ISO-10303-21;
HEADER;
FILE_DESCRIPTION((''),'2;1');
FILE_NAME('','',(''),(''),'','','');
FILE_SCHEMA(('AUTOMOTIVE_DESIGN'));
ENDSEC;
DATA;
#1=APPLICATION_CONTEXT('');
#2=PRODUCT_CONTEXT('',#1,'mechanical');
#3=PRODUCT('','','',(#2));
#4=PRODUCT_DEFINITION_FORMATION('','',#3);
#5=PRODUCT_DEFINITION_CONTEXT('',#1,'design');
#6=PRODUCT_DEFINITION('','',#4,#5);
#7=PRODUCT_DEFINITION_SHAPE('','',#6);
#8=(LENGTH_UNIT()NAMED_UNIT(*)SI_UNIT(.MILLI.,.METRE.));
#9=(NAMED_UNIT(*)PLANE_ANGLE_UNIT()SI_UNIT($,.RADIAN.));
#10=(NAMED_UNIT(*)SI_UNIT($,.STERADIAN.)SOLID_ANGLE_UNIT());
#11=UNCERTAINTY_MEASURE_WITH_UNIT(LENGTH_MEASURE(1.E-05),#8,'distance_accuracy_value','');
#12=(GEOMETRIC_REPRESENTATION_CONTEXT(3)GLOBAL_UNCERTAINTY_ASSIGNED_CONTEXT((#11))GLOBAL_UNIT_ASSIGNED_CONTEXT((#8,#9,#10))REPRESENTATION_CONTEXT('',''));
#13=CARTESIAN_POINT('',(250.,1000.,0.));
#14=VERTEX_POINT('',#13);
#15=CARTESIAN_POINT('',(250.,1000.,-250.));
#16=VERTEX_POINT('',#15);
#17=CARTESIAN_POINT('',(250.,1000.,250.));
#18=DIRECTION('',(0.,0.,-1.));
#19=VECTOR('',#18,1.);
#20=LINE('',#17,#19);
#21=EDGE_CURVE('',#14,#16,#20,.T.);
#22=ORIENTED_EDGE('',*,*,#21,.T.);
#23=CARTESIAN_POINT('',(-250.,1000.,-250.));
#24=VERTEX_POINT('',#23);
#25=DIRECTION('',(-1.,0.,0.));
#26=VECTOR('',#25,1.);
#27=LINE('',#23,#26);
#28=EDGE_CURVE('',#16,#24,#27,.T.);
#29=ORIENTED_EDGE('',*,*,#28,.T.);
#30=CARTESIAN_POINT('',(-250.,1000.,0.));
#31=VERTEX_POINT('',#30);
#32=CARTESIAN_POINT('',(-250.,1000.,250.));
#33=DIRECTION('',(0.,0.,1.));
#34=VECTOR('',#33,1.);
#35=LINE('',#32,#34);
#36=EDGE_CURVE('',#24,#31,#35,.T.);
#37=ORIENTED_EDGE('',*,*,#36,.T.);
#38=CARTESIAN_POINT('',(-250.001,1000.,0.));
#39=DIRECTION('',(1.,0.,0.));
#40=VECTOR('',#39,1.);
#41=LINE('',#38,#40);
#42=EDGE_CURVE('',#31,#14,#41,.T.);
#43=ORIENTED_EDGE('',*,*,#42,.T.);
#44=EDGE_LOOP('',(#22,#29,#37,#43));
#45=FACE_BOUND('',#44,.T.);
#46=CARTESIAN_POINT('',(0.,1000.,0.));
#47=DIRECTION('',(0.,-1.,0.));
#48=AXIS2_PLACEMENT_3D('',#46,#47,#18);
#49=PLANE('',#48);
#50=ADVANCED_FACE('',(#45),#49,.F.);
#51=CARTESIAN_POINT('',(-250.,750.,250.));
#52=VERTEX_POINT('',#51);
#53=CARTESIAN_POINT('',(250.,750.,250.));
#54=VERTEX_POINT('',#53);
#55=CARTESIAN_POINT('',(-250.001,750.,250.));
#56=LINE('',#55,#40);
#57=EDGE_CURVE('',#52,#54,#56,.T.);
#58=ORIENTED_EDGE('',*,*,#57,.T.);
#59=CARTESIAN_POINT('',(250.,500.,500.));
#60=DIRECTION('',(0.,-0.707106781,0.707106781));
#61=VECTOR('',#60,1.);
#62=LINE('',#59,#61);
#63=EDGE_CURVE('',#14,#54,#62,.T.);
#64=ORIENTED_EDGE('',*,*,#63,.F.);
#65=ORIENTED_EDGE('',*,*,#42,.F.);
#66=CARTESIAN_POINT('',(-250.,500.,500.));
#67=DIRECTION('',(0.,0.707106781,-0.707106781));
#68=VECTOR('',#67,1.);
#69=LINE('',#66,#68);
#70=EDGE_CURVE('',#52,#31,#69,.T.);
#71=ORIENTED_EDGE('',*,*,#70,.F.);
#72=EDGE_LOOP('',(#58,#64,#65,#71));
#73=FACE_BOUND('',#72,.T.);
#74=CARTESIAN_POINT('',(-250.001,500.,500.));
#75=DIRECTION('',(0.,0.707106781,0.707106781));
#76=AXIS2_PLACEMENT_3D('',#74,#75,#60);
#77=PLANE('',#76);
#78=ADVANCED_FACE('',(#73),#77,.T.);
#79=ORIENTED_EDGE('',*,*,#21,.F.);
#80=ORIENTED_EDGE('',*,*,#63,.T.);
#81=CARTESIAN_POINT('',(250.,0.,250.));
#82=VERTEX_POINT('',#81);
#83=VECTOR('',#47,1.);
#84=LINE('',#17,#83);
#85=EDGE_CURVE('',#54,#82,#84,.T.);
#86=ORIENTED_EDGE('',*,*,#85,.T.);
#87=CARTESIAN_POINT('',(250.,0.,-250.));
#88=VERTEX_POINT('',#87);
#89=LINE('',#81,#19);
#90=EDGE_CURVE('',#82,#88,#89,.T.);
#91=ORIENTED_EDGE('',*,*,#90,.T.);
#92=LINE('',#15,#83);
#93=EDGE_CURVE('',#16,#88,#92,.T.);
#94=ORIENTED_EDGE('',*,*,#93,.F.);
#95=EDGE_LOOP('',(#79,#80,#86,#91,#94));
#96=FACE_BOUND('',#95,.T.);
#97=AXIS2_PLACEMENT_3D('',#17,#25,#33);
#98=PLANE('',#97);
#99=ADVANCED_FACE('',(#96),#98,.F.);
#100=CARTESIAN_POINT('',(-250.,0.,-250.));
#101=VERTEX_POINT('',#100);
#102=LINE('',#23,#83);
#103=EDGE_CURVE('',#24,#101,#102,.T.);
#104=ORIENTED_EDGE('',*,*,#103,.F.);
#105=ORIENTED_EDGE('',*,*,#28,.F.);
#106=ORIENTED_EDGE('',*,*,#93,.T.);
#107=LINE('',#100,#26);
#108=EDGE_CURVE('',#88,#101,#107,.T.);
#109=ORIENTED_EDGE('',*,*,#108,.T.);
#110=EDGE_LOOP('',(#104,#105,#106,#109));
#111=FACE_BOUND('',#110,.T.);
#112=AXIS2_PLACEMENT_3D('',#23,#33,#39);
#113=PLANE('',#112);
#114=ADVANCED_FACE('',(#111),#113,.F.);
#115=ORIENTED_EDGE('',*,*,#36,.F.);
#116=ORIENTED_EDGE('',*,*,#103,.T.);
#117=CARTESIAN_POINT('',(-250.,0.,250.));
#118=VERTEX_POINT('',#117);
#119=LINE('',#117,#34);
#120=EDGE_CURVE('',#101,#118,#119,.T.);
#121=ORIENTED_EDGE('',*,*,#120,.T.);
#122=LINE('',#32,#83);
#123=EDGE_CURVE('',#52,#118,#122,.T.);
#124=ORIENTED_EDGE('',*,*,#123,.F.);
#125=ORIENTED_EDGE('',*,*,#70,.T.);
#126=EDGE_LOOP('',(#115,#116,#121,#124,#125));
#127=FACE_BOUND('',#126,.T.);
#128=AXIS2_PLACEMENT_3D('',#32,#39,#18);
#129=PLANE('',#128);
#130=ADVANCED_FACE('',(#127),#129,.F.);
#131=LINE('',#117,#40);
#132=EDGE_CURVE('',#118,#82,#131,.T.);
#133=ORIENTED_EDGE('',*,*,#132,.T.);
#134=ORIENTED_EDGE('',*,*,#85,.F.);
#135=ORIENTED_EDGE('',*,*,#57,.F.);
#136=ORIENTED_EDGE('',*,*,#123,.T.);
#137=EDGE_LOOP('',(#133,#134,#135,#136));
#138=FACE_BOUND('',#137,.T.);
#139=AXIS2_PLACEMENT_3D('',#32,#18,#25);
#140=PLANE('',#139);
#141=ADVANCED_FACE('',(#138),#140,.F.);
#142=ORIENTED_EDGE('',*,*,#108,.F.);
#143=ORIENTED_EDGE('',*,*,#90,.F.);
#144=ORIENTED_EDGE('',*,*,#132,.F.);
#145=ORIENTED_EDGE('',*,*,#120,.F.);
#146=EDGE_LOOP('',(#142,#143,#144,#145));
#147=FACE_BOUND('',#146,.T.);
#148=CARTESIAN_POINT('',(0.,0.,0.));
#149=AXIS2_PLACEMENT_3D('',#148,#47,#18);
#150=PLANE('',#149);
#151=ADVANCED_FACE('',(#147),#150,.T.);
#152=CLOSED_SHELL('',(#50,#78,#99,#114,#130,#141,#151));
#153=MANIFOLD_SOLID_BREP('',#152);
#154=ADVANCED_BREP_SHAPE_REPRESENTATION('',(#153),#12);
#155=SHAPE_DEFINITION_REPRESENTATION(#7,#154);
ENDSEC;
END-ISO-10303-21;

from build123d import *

# Parameters (mm, degrees)
SKETCH1_W           = 500
SKETCH1_H           = 500
BOSS_EXTRUDE1_DEPTH = 1000
CUT_EXTRUDE1_REACH  = 1147.644


with BuildPart() as part:
    # Sketch1 → Boss-Extrude1 (new body)
    with BuildSketch(Plane(origin=(0, 0, 0), x_dir=(1, 0, 0), z_dir=(0, 1, 0))):
        Rectangle(SKETCH1_W, SKETCH1_H)
    extrude(amount=BOSS_EXTRUDE1_DEPTH)

    # Sketch3 → Cut-Extrude1 (cut, up to next)
    with BuildSketch(Plane(origin=(250, 0, 0), x_dir=(0, 0, -1), z_dir=(1, 0, 0)), mode=Mode.PRIVATE) as cut_extrude1_sk1:
        Polygon((-250, 750), (0, 1000), (-250, 1000), align=None)
    cut_extrude1_tool1 = extrude(cut_extrude1_sk1.sketch, amount=-CUT_EXTRUDE1_REACH, mode=Mode.PRIVATE) & part.part
    add(cut_extrude1_tool1.solids().sort_by_distance((250, 916.666667, 166.666667))[0], mode=Mode.SUBTRACT)


solid = part.part
